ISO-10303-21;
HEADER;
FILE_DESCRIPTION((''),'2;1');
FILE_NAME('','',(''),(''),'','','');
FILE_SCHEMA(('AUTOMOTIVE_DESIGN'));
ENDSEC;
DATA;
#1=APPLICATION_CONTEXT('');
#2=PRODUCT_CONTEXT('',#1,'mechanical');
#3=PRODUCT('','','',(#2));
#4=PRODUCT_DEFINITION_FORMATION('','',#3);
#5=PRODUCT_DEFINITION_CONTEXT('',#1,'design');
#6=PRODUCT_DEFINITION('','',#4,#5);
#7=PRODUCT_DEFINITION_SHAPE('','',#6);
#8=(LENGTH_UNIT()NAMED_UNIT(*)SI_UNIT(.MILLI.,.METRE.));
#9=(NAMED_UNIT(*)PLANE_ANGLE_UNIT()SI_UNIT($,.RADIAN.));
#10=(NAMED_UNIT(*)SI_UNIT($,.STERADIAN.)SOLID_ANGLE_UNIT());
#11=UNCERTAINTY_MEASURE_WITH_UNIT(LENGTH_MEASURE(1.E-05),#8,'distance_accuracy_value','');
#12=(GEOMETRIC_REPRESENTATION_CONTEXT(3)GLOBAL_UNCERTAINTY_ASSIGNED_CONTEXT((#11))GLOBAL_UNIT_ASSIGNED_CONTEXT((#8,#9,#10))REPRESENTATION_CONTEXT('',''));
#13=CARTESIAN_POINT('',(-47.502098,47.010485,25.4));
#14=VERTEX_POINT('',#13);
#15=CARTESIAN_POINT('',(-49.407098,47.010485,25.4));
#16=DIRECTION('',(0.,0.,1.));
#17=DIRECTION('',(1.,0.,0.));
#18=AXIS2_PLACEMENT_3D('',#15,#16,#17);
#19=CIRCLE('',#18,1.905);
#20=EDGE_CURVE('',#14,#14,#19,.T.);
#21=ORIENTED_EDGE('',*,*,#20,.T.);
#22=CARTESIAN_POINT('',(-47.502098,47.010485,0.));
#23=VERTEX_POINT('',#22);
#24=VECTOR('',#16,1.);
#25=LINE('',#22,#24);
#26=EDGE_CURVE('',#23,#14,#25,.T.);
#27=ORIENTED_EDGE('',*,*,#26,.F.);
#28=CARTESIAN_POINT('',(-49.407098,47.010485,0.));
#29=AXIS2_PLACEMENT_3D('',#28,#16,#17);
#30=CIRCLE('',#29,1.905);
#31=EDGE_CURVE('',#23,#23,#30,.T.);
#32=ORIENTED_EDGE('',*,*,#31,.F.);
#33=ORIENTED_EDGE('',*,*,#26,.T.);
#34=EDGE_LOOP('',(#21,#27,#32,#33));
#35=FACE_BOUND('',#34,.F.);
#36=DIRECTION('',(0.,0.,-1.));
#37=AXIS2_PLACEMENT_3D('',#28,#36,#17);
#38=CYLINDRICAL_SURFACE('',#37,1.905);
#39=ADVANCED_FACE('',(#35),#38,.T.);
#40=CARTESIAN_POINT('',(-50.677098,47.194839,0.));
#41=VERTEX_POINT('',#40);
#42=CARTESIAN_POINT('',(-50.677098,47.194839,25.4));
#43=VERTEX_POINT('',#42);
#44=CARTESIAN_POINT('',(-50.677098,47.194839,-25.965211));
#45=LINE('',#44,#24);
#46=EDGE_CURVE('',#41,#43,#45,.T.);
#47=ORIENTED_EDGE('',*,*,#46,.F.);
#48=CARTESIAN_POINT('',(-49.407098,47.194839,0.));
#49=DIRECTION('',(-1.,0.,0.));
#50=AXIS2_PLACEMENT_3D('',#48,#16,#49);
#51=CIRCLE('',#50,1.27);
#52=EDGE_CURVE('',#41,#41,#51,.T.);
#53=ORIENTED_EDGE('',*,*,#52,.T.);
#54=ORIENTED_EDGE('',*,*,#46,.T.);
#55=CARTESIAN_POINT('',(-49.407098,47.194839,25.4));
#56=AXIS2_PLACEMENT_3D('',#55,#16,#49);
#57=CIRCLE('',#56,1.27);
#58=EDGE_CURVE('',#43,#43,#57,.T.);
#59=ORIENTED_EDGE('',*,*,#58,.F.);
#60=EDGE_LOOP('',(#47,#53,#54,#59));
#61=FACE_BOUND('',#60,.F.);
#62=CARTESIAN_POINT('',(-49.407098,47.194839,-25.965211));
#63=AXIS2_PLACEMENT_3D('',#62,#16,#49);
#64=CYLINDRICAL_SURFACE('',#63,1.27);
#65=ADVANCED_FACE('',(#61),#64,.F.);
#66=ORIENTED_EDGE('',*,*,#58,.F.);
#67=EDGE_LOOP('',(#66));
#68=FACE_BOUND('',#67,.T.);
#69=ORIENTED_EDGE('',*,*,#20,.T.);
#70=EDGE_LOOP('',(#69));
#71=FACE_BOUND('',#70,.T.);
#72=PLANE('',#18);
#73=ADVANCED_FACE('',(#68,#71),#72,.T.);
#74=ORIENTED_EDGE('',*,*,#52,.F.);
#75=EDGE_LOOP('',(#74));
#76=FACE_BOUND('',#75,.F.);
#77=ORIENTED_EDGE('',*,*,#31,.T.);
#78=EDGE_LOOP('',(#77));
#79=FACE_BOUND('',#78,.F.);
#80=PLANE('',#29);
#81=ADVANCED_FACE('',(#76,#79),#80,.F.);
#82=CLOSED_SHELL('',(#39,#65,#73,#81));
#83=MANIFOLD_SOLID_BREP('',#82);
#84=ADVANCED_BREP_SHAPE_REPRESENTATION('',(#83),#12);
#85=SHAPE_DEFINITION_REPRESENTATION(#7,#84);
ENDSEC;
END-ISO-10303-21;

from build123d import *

# Parameters (mm, degrees)
F0_R     = 1.905
F1_DEPTH = 25.4
F3_D     = 2.54


with BuildPart() as f1:
    # F0 (on Top) → F1 (new body)
    with BuildSketch(Plane.XY):
        with Locations((-49.4070984423, 47.0104850829)):
            Circle(F0_R)
    extrude(amount=F1_DEPTH)

    # F3 (through all)
    with Locations(Plane(origin=(0, 0, 0), x_dir=(1, 0, 0), z_dir=(0, 0, -1))):
        with Locations((-49.4070984423, -47.1948385239)):
            Hole(F3_D / 2)


solid = f1.part
